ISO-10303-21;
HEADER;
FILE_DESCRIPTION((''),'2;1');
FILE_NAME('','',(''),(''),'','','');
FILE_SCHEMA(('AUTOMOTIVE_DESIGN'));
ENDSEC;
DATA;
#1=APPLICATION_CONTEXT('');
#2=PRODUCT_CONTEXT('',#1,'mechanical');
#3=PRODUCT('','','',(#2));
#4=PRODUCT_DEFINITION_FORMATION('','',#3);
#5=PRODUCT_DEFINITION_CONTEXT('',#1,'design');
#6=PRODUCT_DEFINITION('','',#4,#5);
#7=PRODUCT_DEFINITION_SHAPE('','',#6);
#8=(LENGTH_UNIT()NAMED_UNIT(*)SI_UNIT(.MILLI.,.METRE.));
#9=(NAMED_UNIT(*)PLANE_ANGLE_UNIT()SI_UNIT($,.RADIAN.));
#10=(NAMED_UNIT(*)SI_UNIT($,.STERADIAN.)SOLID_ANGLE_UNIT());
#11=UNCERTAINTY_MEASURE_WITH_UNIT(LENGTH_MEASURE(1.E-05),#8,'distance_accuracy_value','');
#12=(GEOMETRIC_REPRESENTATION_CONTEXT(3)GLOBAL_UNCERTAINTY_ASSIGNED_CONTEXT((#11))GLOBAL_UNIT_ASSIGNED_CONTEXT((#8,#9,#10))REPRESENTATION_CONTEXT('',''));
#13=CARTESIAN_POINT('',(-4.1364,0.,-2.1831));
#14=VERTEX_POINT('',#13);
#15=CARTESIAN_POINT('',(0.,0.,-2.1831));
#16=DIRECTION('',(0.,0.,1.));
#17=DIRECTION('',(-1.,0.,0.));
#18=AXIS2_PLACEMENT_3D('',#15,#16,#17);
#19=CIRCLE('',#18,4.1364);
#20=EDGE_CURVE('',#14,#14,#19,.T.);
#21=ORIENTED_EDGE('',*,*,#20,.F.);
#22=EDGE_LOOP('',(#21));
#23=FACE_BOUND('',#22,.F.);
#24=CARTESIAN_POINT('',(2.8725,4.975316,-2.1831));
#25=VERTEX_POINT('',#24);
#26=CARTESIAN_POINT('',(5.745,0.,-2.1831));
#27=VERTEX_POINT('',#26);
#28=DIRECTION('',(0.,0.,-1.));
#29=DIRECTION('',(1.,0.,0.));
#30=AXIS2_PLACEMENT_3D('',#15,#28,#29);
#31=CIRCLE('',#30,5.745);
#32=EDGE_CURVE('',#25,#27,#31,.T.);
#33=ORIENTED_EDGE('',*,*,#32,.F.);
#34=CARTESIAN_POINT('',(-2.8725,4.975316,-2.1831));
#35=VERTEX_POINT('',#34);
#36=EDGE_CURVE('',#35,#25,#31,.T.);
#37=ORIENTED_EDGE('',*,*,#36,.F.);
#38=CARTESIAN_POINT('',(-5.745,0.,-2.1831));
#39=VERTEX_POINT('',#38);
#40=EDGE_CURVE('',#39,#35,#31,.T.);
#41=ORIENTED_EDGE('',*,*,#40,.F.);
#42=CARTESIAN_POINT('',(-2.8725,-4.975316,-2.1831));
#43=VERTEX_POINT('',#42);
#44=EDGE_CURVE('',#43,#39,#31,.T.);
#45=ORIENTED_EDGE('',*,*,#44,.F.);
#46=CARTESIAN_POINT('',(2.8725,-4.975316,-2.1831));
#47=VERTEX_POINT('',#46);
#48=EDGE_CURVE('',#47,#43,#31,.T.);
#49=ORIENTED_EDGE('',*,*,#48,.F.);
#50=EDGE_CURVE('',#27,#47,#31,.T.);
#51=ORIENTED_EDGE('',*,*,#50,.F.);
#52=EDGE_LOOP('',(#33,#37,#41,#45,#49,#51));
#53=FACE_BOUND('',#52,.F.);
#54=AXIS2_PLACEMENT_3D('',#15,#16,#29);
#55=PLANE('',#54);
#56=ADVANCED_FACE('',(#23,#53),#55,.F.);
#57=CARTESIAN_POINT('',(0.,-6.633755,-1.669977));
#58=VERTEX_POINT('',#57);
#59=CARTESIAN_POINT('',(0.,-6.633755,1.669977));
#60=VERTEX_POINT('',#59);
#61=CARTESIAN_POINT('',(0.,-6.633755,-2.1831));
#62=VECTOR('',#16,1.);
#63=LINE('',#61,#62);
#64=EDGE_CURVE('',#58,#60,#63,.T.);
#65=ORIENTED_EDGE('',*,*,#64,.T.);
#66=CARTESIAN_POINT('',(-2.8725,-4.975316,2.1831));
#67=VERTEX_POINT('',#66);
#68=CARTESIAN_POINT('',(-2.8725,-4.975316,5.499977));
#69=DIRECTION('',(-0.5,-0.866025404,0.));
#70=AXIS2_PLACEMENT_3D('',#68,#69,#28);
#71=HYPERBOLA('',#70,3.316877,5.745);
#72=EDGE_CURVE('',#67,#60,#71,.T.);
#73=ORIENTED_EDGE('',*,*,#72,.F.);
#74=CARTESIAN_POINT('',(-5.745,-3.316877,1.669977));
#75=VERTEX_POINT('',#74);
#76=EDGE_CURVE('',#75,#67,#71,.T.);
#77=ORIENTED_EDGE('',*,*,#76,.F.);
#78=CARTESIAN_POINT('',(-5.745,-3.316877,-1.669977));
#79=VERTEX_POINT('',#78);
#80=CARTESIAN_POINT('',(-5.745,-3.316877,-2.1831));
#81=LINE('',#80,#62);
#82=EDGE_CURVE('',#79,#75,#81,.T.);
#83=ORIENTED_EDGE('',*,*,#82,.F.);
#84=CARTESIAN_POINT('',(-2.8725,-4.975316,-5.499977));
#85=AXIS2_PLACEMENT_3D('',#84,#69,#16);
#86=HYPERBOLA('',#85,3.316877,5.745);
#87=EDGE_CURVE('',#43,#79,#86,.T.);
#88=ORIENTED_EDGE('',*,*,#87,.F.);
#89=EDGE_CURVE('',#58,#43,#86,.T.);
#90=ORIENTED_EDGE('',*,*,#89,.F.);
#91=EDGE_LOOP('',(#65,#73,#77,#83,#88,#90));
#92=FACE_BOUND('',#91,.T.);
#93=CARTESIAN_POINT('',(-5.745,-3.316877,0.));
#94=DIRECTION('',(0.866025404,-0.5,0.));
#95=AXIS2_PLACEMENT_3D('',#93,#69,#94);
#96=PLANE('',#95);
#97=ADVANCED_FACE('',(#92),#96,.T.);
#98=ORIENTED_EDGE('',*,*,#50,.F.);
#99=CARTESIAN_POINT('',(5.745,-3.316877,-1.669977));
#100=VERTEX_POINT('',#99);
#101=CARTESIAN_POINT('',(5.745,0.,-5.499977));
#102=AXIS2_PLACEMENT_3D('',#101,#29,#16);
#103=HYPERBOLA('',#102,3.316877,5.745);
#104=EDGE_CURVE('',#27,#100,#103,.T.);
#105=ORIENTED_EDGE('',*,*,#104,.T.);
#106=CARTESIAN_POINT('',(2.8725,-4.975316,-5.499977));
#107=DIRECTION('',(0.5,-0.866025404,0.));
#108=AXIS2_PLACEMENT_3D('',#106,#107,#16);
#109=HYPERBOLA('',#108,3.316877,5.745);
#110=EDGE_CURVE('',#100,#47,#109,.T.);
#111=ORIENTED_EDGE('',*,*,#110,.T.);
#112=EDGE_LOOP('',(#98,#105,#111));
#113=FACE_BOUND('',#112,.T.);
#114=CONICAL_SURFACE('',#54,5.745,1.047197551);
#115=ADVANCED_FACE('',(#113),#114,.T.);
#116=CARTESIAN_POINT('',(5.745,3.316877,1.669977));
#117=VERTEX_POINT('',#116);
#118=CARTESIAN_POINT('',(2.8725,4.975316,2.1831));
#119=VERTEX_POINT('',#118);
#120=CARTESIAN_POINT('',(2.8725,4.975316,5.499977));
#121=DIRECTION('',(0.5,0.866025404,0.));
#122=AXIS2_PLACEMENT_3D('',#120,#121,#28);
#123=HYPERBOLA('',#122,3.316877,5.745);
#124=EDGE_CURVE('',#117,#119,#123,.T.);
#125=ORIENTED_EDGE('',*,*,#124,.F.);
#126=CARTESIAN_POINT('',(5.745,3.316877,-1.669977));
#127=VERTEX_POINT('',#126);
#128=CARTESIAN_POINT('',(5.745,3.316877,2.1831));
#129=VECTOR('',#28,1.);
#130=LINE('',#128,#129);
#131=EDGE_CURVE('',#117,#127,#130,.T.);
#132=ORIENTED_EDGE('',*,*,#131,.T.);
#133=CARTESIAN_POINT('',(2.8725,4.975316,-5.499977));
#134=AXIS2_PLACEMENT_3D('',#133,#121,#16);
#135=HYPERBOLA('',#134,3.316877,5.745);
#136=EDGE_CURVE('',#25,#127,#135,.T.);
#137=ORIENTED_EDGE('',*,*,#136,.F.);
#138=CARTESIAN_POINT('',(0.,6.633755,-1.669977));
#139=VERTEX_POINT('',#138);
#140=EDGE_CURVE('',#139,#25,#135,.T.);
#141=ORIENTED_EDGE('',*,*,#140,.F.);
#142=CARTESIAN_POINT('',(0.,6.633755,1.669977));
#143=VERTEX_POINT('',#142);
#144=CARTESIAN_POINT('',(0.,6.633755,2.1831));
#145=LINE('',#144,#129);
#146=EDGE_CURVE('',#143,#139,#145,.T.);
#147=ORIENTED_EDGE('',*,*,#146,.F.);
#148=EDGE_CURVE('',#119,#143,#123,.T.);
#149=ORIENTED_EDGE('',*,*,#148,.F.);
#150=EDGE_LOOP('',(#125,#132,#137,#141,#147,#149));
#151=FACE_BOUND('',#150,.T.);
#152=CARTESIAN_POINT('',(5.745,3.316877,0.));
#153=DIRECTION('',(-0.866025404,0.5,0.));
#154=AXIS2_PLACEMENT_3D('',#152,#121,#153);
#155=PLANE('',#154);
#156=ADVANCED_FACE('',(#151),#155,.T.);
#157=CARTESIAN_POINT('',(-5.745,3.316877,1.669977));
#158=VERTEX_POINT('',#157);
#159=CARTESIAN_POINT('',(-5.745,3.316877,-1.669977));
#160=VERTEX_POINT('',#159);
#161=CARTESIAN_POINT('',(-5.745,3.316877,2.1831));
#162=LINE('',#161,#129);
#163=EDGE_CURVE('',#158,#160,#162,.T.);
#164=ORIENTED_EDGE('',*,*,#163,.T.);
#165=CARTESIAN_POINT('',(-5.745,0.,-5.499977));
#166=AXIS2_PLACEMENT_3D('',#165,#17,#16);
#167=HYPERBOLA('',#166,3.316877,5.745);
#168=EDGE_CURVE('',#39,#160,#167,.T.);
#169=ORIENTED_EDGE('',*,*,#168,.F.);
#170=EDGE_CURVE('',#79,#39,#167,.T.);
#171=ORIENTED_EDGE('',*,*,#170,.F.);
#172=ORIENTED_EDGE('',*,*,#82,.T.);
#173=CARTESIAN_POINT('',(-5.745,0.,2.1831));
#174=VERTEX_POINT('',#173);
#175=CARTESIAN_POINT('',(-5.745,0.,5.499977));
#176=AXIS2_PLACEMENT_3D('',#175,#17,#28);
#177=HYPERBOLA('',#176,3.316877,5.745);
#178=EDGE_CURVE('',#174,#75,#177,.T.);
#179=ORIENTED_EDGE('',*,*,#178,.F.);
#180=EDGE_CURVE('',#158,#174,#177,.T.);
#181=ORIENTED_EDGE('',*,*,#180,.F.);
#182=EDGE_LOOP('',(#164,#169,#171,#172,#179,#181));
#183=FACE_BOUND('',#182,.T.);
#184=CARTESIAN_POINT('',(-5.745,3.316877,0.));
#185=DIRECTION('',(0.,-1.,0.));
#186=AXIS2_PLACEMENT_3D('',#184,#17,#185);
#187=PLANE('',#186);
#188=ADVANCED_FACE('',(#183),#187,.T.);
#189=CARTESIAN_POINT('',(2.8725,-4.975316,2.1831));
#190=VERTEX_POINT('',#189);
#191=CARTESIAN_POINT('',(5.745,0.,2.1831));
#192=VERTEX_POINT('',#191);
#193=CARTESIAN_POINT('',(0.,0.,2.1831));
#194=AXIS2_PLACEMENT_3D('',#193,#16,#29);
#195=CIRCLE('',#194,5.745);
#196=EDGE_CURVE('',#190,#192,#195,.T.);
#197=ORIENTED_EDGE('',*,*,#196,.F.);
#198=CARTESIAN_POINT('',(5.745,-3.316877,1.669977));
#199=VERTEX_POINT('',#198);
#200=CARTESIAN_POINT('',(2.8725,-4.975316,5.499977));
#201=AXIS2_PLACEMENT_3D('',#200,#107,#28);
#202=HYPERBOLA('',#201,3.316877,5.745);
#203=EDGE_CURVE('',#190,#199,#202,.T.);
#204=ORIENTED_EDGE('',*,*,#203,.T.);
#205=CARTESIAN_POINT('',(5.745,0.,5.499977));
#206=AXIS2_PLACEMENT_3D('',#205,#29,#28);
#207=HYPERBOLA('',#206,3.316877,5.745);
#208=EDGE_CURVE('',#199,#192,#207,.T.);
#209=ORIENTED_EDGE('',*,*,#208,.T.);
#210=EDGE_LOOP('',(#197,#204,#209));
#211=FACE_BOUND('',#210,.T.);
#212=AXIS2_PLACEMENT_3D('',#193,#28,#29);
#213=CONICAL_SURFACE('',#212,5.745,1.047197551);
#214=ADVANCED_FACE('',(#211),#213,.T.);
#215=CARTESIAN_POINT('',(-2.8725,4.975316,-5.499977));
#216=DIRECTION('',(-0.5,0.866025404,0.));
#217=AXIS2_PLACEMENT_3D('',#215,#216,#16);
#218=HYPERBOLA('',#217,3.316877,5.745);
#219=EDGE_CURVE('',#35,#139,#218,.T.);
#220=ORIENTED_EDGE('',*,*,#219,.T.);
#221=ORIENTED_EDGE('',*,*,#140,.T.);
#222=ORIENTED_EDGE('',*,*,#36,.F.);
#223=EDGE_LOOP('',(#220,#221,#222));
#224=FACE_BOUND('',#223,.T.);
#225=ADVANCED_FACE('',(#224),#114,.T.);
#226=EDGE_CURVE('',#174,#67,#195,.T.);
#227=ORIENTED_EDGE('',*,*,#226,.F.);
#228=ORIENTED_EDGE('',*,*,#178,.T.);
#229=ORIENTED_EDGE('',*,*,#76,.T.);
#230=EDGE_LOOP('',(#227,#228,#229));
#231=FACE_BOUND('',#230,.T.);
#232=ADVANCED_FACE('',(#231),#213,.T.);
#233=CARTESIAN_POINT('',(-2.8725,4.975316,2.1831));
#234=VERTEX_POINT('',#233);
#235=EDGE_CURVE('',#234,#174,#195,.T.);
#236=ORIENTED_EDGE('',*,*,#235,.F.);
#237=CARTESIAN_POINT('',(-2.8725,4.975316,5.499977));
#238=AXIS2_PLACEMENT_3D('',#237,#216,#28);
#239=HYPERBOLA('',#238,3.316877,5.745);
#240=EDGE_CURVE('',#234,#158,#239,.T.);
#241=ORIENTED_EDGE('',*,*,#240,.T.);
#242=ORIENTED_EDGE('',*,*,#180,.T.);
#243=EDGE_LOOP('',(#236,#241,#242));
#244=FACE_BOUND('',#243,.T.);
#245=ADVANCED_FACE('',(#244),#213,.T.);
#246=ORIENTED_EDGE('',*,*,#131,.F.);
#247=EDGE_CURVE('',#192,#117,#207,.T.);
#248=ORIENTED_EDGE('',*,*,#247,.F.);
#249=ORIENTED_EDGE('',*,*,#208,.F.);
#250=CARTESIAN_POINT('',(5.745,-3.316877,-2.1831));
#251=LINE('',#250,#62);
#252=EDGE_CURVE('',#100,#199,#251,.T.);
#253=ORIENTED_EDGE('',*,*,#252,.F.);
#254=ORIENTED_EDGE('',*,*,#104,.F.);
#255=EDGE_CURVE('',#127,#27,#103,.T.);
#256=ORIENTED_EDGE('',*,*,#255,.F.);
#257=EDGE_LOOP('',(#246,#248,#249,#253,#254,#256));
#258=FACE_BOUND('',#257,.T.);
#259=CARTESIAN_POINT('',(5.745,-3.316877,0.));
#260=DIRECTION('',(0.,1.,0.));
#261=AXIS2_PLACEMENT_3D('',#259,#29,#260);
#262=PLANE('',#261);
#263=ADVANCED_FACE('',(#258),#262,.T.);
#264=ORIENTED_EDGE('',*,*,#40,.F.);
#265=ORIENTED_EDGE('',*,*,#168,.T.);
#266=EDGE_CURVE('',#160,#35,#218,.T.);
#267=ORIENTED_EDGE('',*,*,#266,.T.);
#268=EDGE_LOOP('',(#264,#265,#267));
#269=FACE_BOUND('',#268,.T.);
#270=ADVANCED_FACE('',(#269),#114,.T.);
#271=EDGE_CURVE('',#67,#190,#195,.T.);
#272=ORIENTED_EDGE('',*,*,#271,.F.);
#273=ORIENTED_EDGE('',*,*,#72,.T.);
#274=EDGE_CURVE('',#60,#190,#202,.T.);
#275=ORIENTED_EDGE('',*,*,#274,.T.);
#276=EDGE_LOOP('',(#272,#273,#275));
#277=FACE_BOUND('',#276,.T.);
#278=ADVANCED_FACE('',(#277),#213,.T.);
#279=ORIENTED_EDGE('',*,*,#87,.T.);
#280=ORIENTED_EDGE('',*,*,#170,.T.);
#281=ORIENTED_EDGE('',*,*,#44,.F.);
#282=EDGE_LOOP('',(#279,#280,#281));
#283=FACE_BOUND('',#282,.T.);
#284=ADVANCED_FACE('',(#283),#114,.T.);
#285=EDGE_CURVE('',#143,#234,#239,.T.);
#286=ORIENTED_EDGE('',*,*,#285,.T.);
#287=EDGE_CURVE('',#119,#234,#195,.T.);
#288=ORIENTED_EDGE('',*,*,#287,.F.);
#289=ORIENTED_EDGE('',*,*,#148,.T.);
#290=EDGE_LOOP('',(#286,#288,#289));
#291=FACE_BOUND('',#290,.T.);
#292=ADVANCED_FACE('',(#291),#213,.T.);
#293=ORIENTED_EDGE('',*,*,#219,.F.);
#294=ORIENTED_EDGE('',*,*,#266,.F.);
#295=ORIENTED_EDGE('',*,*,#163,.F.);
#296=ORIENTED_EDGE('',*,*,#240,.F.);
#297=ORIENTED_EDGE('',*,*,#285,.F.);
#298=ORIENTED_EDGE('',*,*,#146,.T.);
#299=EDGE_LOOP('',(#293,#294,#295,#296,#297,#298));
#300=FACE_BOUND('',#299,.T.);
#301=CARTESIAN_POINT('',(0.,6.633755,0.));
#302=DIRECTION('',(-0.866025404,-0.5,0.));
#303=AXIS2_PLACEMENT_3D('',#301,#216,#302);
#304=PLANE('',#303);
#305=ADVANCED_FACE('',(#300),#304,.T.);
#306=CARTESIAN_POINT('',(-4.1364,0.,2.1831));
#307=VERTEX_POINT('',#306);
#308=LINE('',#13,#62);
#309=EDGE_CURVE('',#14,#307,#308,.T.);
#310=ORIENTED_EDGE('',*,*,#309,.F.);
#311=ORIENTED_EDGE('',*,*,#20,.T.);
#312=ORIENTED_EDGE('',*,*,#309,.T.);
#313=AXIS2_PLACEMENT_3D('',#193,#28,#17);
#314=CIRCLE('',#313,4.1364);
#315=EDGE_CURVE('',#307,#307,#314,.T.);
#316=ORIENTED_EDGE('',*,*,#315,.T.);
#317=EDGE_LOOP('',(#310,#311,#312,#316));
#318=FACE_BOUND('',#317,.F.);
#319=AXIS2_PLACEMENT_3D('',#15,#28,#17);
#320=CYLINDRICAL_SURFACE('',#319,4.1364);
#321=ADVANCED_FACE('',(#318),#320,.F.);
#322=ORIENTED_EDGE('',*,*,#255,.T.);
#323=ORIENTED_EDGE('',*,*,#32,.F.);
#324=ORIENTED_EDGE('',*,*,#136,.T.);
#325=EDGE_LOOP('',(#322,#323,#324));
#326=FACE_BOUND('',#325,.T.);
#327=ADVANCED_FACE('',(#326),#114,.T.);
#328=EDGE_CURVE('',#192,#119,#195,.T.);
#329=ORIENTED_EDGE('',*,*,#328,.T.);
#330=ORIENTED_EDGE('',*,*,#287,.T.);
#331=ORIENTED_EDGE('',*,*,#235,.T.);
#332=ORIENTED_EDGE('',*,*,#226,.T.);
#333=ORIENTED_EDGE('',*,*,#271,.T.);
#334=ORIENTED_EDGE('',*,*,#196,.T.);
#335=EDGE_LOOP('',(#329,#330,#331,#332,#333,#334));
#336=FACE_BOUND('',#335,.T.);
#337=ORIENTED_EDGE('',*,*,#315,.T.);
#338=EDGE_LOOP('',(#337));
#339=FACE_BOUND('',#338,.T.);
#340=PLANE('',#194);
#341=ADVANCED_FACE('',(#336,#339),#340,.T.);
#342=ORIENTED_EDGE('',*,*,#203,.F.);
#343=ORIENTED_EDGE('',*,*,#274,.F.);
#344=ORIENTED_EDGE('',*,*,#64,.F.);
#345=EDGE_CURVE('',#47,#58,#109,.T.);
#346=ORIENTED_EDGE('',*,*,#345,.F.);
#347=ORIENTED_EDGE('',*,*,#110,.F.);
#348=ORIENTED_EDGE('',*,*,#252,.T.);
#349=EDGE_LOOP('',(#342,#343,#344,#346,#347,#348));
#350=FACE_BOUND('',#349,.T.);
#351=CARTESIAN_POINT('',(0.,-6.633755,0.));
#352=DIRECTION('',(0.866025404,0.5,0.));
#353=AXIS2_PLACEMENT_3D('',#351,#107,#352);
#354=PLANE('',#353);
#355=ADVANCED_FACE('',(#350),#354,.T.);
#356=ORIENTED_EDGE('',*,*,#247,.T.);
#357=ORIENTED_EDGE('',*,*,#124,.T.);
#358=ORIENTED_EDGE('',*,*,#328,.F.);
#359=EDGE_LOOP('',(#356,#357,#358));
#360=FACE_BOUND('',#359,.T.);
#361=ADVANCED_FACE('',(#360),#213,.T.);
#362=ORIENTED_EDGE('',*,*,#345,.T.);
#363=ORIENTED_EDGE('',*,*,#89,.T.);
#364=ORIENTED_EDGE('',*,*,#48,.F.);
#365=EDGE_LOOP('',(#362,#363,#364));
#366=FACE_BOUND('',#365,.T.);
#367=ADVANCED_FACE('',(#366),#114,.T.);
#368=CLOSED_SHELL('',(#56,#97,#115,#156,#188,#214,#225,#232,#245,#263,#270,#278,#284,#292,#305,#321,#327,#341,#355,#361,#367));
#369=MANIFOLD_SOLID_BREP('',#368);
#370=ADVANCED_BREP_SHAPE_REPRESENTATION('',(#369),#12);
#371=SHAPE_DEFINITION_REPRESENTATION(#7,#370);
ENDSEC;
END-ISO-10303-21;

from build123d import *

# Parameters (mm, degrees)
EXTRUDE1_DEPTH          = 2.183100002
SKETCH13_R              = 4.1364
BOSS_EXTRUDE1_DEPTH     = 4.3662
SKETCH7_OUTSIDE_W       = 105.096
SKETCH7_OUTSIDE_H       = 106.874
SKETCH7_OUTSIDE_R       = 5.745
EXTRUDE2_DEPTH          = 25.4
EXTRUDE2_DRAFT          = -60
MIRROR2_COPY_1_SKETCH_W = 105.096
MIRROR2_COPY_1_SKETCH_H = 106.874
MIRROR2_COPY_1_SKETCH_R = 5.745
MIRROR2_COPY_1_DEPTH    = 25.4
MIRROR2_COPY_1_DRAFT    = -60


with BuildPart() as part:
    # Sketch1 → Extrude1 (new, symmetric)
    with BuildSketch(Plane.XY):
        Polygon((-5.745, 3.316877296), (-5.745, -3.316877296), (0, -6.633754593), (5.745, -3.316877296), (5.745, 3.316877296), (0, 6.633754593), align=None)
    extrude(amount=EXTRUDE1_DEPTH, both=True)

    # Cut-Extrude2 cone 1 section (through the dimple's axis) → Cut-Extrude2 (revolve, cut)
    with BuildSketch(Plane(origin=(0, 0, 2.183100002), x_dir=(0, -1, 0), z_dir=(1, 0, 0))):
        Polygon((0, 0), (4.1364, 0), (0, 4.1364), align=None)
    revolve(axis=Axis((0, 0, 2.183100002), (0, 0, -1)), mode=Mode.SUBTRACT)

    # Cut-Extrude3 cone 1 section (through the dimple's axis) → Cut-Extrude3 (revolve, cut)
    with BuildSketch(Plane(origin=(0, 0, -2.183100002), x_dir=(0, 1, 0), z_dir=(1, 0, 0))):
        Polygon((0, 0), (4.1364, 0), (0, 4.1364), align=None)
    revolve(axis=Axis((0, 0, -2.183100002), (0, 0, 1)), mode=Mode.SUBTRACT)


with BuildPart() as body_2:
    # Sketch13 → Boss-Extrude1 (new body)
    with BuildSketch(Plane(origin=(0, 0, -2.183100002), x_dir=(-1, 0, 0), z_dir=(0, 0, -1))):
        Circle(SKETCH13_R)
    extrude(amount=-BOSS_EXTRUDE1_DEPTH)


with BuildPart() as part_1:
    add(part.part)

    # Combine1: cut body 2
    add(body_2.part, mode=Mode.SUBTRACT)


with BuildPart() as extrude2_tool:
    # Sketch7 outside → Extrude2 (with draft: the straight prism first)
    with BuildSketch(Plane.XY.offset(2.183100002)):
        Rectangle(SKETCH7_OUTSIDE_W, SKETCH7_OUTSIDE_H)
        Circle(SKETCH7_OUTSIDE_R, mode=Mode.SUBTRACT)
    extrude(amount=-EXTRUDE2_DEPTH)
    # Extrude2: the draft: its side faces are tilted about the plane it starts from
    extrude2_sides = [extrude2_tool.faces().sort_by_distance(p)[0] for p in [
        (0, -53.437, -10.516899998),
        (52.548, 0, -10.516899998),
        (0, 53.437, -10.516899998),
        (-52.548, 0, -10.516899998),
        (-5.745, 0, -10.516899998),
    ]]
    draft(extrude2_sides, Plane.XY.offset(2.183100002), EXTRUDE2_DRAFT)


with BuildPart() as part_2:
    add(part_1.part)

    # Extrude2: cut by extrude2_tool
    add(extrude2_tool.part, mode=Mode.SUBTRACT)


with BuildPart() as mirror2_copy_1_tool:
    # Mirror2 copy 1 sketch → Mirror2 copy 1 (with draft: the straight prism first)
    with BuildSketch(Plane(origin=(0, 0, -2.183100002), x_dir=(1, 0, 0), z_dir=(0, 0, -1))):
        Rectangle(MIRROR2_COPY_1_SKETCH_W, MIRROR2_COPY_1_SKETCH_H)
        Circle(MIRROR2_COPY_1_SKETCH_R, mode=Mode.SUBTRACT)
    extrude(amount=-MIRROR2_COPY_1_DEPTH)
    # Mirror2 copy 1: the draft: its side faces are tilted about the plane it starts from
    mirror2_copy_1_sides = [mirror2_copy_1_tool.faces().sort_by_distance(p)[0] for p in [
        (0, -53.437, 10.516899998),
        (52.548, 0, 10.516899998),
        (0, 53.437, 10.516899998),
        (-52.548, 0, 10.516899998),
        (-5.745, 0, 10.516899998),
    ]]
    draft(mirror2_copy_1_sides, Plane(origin=(0, 0, -2.183100002), x_dir=(1, 0, 0), z_dir=(0, 0, -1)), MIRROR2_COPY_1_DRAFT)


with BuildPart() as part_3:
    add(part_2.part)

    # Mirror2 copy 1: cut by mirror2_copy_1_tool
    add(mirror2_copy_1_tool.part, mode=Mode.SUBTRACT)


solid = part_3.part
